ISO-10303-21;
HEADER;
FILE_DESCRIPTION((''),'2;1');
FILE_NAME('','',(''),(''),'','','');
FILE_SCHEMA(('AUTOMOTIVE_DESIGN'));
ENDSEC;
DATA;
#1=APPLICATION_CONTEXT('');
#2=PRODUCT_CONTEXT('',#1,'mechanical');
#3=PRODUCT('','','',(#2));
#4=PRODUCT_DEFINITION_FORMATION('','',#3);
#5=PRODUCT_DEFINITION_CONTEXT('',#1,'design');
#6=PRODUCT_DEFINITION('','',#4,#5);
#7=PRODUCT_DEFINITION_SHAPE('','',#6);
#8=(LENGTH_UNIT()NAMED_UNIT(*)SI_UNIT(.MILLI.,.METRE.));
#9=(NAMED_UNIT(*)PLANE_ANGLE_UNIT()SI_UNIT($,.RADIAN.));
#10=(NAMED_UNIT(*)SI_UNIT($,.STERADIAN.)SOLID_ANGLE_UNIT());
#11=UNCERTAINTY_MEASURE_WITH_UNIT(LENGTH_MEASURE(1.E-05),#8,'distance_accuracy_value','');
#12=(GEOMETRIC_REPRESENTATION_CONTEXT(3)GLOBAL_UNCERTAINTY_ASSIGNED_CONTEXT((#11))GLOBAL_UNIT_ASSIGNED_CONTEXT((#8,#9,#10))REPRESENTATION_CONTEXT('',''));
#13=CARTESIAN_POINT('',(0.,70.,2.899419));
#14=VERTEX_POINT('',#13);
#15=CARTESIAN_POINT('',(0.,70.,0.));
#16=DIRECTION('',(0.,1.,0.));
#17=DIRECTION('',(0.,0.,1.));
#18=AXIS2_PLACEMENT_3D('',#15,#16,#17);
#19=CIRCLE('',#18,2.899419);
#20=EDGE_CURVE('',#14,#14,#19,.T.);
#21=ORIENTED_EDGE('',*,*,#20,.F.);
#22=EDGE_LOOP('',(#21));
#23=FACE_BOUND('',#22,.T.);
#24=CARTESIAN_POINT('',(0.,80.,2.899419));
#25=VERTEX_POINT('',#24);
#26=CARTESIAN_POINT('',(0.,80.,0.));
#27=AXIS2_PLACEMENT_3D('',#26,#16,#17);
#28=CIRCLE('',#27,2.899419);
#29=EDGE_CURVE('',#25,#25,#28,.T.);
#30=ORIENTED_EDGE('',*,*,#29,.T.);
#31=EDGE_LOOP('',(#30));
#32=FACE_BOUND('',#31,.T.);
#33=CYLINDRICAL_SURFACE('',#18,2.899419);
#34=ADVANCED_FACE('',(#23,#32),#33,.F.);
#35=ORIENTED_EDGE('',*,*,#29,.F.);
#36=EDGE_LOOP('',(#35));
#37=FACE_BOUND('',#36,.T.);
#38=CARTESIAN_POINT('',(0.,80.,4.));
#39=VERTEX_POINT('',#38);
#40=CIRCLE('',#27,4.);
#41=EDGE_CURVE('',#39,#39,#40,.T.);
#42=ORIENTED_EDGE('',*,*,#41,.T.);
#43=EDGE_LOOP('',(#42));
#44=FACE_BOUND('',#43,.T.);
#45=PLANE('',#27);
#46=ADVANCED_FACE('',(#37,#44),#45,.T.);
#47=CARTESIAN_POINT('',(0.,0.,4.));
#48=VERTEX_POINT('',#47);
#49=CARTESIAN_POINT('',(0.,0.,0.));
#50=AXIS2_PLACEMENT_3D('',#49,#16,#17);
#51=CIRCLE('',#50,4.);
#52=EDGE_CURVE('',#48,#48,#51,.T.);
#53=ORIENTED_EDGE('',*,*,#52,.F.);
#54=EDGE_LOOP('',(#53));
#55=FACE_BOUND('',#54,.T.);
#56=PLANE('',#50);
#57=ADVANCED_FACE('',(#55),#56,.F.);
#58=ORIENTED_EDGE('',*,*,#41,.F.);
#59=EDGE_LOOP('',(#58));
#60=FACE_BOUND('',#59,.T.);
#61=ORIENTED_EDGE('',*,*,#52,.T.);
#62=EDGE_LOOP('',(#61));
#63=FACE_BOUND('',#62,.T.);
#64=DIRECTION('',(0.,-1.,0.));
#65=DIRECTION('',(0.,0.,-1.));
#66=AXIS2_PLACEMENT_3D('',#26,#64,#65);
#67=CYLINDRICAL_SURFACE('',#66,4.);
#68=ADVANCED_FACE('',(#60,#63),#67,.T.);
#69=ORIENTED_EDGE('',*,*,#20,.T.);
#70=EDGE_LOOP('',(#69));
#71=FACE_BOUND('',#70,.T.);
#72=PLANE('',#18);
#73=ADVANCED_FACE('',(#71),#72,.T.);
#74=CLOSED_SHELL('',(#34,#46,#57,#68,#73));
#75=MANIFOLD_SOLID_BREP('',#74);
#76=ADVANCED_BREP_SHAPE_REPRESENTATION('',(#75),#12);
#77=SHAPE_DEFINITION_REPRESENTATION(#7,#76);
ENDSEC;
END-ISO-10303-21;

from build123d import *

# Parameters (mm, degrees)
SKETCH1_R           = 4
BOSS_EXTRUDE1_DEPTH = 80
SKETCH2_R           = 2.899419097
CUT_EXTRUDE1_DEPTH  = 10


with BuildPart() as part:
    # Sketch1 → Boss-Extrude1 (new body)
    with BuildSketch(Plane(origin=(0, 0, 0), x_dir=(1, 0, 0), z_dir=(0, 1, 0))):
        with Locations(Location((0, 0, 0), (0, 0, 270))):
            Circle(SKETCH1_R)
    extrude(amount=BOSS_EXTRUDE1_DEPTH)

    # Sketch2 → Cut-Extrude1 (cut)
    with BuildSketch(Plane(origin=(0, 80, 0), x_dir=(1, 0, 0), z_dir=(0, 1, 0))):
        with Locations(Location((0, 0, 0), (0, 0, 270))):
            Circle(SKETCH2_R)
    extrude(amount=-CUT_EXTRUDE1_DEPTH, mode=Mode.SUBTRACT)


solid = part.part
